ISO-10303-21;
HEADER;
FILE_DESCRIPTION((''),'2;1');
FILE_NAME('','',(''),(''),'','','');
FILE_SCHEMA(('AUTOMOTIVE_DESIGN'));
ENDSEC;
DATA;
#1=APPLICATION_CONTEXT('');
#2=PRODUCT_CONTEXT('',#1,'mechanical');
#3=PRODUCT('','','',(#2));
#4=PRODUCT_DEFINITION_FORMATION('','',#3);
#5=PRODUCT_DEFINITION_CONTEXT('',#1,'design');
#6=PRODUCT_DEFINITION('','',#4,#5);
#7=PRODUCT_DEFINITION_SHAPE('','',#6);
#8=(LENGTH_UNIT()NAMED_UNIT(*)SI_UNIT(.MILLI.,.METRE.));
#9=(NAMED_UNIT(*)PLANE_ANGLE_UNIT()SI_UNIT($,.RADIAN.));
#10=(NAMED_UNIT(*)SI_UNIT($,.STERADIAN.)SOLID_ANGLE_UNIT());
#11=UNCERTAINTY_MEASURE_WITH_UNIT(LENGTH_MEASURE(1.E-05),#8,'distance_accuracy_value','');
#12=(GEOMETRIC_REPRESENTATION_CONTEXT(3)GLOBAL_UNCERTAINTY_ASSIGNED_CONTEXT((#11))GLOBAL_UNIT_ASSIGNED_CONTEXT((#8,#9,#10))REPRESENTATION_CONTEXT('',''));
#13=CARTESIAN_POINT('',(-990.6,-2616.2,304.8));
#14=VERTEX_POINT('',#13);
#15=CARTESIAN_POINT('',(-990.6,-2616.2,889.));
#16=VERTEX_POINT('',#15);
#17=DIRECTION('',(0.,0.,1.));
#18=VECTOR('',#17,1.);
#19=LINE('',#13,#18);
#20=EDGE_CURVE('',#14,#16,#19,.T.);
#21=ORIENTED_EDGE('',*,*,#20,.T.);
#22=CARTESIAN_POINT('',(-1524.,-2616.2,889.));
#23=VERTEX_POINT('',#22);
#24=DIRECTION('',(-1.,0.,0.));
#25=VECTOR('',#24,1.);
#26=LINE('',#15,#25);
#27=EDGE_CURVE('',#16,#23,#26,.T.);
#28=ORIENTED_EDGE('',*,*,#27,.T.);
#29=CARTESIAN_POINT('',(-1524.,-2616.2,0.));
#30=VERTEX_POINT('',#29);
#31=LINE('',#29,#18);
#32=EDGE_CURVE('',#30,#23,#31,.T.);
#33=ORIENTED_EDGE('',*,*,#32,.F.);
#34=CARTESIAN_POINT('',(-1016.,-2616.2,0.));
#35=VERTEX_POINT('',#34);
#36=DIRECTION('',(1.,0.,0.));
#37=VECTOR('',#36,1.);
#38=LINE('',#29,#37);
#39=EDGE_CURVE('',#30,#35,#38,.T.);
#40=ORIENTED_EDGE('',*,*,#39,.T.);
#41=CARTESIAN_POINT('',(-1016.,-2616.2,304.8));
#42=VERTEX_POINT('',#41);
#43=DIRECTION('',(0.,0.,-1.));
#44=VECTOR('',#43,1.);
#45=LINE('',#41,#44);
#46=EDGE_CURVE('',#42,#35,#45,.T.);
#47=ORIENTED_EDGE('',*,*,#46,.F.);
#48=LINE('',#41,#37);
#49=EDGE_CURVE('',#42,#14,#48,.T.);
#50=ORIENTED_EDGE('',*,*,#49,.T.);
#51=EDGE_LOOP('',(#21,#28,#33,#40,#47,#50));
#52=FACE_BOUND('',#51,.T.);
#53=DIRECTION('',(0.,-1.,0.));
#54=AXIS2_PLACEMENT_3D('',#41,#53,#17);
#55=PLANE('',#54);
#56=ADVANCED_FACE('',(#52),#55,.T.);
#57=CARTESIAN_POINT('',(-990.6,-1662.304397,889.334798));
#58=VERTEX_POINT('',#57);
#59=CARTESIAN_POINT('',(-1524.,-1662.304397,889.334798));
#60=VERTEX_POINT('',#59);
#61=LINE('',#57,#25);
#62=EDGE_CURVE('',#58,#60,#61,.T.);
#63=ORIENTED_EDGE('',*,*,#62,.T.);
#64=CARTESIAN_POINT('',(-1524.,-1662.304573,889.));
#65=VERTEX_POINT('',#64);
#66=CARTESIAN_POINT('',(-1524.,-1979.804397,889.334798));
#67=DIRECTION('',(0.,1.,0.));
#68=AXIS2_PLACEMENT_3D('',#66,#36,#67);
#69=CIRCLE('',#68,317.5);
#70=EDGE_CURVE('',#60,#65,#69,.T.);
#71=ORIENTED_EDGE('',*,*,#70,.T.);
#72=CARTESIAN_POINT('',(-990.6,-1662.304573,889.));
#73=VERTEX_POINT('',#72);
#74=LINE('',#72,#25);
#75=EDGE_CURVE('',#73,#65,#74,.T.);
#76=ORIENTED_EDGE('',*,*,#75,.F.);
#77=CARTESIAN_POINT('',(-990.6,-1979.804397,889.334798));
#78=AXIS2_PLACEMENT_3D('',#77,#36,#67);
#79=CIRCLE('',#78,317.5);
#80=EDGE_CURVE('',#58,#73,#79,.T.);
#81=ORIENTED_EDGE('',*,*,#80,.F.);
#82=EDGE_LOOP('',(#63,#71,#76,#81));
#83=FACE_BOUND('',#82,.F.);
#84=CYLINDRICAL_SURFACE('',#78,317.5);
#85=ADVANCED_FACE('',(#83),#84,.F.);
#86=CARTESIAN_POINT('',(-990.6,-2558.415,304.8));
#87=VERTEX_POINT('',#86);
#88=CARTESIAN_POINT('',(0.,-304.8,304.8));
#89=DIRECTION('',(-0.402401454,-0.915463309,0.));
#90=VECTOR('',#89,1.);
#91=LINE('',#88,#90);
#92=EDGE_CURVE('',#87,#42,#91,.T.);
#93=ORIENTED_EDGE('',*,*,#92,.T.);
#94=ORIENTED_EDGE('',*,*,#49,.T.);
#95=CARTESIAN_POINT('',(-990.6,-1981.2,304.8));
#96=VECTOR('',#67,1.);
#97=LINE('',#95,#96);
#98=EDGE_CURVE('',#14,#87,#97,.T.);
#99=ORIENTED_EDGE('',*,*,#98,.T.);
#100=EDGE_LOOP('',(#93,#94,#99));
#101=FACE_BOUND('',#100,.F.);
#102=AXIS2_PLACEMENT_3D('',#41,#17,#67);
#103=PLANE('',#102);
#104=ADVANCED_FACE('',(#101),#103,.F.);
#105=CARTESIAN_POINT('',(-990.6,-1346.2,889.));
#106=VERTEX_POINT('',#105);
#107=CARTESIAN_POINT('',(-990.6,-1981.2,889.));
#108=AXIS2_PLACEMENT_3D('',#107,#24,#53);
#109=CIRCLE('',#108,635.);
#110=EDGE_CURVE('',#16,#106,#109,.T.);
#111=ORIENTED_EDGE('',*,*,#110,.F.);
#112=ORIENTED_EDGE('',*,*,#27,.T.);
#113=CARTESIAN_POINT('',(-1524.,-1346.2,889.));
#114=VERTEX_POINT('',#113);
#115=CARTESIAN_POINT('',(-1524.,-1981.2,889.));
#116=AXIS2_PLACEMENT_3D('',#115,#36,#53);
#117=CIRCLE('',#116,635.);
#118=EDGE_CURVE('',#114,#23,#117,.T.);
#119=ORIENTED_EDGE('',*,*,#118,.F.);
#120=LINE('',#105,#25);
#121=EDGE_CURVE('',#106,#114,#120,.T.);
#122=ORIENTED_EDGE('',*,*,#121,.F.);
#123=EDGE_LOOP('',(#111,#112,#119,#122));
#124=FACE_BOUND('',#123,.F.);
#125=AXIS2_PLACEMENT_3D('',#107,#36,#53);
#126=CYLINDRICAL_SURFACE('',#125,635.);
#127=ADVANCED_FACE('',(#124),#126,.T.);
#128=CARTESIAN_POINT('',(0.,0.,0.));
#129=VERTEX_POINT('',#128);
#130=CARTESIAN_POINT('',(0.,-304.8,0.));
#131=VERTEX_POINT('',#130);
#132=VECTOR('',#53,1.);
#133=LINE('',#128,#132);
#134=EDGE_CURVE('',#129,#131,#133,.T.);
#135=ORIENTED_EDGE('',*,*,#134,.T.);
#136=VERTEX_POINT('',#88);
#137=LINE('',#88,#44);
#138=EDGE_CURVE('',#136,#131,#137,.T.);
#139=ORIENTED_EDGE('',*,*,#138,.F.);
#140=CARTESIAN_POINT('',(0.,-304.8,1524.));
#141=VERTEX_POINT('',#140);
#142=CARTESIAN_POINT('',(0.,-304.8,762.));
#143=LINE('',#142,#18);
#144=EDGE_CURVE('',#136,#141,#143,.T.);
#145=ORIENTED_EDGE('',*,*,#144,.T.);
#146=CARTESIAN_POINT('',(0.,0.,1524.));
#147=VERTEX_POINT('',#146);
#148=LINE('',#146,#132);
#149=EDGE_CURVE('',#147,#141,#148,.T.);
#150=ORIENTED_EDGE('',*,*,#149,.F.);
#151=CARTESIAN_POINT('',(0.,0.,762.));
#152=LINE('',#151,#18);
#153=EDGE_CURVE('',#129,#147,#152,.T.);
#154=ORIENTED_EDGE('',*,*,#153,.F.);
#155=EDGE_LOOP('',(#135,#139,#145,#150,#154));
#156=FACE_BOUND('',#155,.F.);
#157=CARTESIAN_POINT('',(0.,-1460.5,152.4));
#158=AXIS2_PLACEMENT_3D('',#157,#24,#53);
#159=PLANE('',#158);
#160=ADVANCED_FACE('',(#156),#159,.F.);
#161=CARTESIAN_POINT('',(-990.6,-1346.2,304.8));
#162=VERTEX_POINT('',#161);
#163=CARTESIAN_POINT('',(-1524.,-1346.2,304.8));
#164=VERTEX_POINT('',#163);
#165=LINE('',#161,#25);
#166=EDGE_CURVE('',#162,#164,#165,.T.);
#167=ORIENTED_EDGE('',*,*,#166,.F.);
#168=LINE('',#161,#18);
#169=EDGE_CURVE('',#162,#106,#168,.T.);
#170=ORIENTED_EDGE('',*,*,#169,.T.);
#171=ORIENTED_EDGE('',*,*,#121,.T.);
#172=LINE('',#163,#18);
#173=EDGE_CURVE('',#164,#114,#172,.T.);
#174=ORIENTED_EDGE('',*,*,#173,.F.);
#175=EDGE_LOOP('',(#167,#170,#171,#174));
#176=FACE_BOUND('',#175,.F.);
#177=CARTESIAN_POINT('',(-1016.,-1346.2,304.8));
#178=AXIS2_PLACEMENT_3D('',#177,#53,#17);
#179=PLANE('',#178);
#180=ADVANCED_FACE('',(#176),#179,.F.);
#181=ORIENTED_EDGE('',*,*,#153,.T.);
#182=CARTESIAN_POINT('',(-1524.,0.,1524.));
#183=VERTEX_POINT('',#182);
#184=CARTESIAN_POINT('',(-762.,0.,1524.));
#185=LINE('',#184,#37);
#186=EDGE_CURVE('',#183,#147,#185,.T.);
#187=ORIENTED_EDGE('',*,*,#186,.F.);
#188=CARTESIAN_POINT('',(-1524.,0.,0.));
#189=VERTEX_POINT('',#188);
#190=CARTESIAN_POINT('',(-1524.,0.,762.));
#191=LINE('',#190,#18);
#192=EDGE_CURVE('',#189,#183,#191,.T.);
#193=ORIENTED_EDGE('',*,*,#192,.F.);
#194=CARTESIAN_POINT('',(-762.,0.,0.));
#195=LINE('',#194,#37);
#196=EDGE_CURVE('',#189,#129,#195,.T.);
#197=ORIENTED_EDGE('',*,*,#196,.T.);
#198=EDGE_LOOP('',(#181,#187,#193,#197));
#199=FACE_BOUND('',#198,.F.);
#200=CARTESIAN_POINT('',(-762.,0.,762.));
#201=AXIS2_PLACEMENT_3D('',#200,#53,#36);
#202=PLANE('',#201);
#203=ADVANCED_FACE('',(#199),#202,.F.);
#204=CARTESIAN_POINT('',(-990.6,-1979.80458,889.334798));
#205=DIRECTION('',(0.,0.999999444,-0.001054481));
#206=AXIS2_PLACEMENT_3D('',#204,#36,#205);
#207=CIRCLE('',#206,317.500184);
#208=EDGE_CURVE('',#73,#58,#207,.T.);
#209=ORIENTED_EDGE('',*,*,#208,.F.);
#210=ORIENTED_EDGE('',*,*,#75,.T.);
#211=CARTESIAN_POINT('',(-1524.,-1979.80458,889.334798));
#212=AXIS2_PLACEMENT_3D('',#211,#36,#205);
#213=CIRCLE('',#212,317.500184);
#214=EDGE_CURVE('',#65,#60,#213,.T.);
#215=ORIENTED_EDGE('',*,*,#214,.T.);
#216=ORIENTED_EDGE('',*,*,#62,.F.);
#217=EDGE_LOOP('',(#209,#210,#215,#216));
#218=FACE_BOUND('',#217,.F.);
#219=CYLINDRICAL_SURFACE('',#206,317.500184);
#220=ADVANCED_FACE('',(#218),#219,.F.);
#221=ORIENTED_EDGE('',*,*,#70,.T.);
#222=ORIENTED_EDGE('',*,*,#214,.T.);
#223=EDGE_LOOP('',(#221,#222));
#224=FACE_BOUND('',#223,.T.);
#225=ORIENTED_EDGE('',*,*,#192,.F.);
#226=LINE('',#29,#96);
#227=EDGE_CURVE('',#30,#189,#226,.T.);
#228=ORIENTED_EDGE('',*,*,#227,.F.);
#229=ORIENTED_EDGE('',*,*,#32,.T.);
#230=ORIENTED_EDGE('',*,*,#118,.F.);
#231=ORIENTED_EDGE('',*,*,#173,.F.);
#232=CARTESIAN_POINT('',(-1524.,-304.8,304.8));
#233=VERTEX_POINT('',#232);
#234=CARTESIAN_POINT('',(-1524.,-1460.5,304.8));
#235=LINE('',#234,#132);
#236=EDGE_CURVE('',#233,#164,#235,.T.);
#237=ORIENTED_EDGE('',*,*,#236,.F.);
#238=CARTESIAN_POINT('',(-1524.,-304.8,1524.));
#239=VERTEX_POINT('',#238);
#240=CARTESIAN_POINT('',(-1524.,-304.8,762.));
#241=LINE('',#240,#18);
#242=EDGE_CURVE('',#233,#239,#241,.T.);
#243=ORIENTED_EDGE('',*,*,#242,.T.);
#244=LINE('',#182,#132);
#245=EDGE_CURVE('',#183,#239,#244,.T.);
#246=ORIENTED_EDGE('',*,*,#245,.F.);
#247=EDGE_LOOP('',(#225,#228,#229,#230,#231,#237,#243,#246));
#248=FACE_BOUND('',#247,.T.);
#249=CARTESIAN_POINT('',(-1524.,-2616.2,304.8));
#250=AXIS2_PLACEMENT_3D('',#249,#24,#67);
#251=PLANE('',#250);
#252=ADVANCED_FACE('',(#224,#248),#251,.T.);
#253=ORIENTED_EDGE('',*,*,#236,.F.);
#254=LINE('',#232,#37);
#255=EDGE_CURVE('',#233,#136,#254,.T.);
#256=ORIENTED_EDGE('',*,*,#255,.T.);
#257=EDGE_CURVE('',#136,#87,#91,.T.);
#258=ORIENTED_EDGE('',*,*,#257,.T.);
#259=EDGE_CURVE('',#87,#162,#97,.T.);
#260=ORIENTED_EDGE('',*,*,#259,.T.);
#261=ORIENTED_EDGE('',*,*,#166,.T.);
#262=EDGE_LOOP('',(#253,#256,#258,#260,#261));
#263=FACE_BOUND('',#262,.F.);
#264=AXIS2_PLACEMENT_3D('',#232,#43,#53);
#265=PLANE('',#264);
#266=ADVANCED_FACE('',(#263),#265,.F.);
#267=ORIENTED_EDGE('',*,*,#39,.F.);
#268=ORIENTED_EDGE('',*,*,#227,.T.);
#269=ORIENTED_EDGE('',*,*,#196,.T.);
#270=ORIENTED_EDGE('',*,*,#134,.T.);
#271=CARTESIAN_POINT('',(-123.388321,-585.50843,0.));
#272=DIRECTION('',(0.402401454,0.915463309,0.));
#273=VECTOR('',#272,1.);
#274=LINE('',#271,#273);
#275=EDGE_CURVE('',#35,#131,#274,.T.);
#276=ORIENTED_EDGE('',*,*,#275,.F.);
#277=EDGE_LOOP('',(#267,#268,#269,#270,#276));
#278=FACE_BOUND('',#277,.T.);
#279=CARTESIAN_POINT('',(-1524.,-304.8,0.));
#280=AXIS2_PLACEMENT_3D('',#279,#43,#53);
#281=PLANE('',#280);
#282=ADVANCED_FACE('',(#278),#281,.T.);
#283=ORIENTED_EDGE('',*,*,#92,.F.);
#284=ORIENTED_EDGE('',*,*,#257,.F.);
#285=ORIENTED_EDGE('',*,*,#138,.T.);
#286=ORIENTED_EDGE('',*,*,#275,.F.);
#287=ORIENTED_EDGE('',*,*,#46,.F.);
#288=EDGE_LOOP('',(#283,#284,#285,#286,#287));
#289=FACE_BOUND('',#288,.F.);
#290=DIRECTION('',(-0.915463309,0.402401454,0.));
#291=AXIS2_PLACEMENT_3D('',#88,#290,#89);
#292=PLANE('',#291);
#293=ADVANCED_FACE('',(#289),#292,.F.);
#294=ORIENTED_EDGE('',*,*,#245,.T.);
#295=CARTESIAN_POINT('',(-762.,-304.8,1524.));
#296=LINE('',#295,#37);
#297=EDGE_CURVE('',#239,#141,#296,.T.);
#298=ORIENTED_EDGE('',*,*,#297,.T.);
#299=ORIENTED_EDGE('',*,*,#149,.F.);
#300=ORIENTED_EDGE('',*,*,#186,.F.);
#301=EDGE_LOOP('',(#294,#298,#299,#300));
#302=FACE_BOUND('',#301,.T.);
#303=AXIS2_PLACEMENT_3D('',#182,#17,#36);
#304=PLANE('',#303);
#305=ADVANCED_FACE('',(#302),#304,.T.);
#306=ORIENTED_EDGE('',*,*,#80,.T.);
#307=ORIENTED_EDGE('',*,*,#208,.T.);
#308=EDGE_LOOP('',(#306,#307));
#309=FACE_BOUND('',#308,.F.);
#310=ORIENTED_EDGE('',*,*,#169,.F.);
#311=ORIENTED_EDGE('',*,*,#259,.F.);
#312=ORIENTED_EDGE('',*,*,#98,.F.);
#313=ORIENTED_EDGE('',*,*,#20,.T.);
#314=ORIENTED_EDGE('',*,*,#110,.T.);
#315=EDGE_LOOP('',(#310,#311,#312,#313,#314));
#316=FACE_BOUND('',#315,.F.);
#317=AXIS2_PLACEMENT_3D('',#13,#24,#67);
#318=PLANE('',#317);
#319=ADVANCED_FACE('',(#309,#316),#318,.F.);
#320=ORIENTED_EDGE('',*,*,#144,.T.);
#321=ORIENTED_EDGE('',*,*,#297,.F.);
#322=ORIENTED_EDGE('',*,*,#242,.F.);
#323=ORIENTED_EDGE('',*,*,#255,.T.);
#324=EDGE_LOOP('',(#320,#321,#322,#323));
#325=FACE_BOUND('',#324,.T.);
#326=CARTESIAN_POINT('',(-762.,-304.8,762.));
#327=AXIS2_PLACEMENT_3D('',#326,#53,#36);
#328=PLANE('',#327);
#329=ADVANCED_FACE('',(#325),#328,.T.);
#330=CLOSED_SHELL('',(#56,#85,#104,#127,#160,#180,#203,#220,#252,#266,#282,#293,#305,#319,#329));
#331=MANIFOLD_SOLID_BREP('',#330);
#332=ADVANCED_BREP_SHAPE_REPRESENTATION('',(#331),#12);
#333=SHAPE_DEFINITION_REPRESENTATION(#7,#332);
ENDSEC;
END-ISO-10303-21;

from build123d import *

# Parameters (mm, degrees)
F0_W      = 1524
F0_H      = 1524
F1_DEPTH  = 304.8
F2_W      = 2311.4
F2_H      = 304.8
F3_DEPTH  = 1524
F5_DEPTH  = 1008.38
F6_W      = 508
F6_H      = 1270
F7_DEPTH  = 1524
F8_DEPTH  = 25.4
F11_DEPTH = 1397
F12_DEPTH = 782.32


with BuildPart() as f1:
    # F0 (on Front) → F1 (new body)
    with BuildSketch(Plane.XZ):
        with Locations((-762, 762)):
            Rectangle(F0_W, F0_H)
    extrude(amount=F1_DEPTH)

    # F2 (on face) → F3 (join)
    with BuildSketch(Plane(origin=(-1524, 0, 0), x_dir=(0, -1, 0), z_dir=(-1, 0, 0))):
        with Locations((1460.5, 152.4)):
            Rectangle(F2_W, F2_H)
    extrude(amount=-F3_DEPTH)

    # F4 (on face) → F5 (cut)
    with BuildSketch(Plane.XY.offset(304.8)):
        Polygon((0, -304.8), (-1016, -2616.2), (0, -2616.2), align=None)
    extrude(amount=-F5_DEPTH, mode=Mode.SUBTRACT)

    # F6 (on face) → F7 (join)
    with BuildSketch(Plane.XY.offset(304.8)):
        with Locations((-1270, -1981.2)):
            Rectangle(F6_W, F6_H)
    extrude(amount=F7_DEPTH)

    # F8 (add): a face of the model
    f8_faces = [f1.faces().sort_by_distance(p)[0] for p in [
        (-1016, -1981.2, 1066.8),
    ]]
    extrude(f8_faces, amount=F8_DEPTH)

    # F10 (on face) → F11 (cut)
    with BuildSketch(Plane.YZ.offset(-990.6)):
        with BuildLine():
            Line((-1981.2, 889), (-1981.2, 1206.8317305865))
            ThreePointArc((-1981.2, 1206.8317305865), (-2203.9354336027, 664.45365533), (-1662.3045731484, 889))
            Line((-1662.3045731484, 889), (-1981.2, 889))
        make_face()
        with BuildLine():
            ThreePointArc((-1662.3045731484, 889), (-1662.3044407591, 889.1673989063), (-1662.3043966293, 889.3347978592))
            ThreePointArc((-1662.3043966293, 889.3347978592), (-1755.7919573209, 1114.3340801583), (-1981.2, 1206.8317305865))
            Line((-1981.2, 1206.8317305865), (-1981.2, 889))
            Line((-1981.2, 889), (-1662.3045731484, 889))
        make_face()
    extrude(amount=-F11_DEPTH, mode=Mode.SUBTRACT)

    # F9 (on face) → F12 (cut)
    with BuildSketch(Plane.YZ.offset(-990.6)):
        with BuildLine():
            ThreePointArc((-1981.2, 1524), (-1532.1871939465, 1338.0128060535), (-1346.2, 889))
            Line((-1346.2, 889), (-1346.2, 1828.8))
            Line((-1346.2, 1828.8), (-2616.2, 1828.8))
            Line((-2616.2, 1828.8), (-2616.2, 889))
            ThreePointArc((-2616.2, 889), (-2430.2128060535, 1338.0128060535), (-1981.2, 1524))
        make_face()
    extrude(amount=-F12_DEPTH, mode=Mode.SUBTRACT)


solid = f1.part
